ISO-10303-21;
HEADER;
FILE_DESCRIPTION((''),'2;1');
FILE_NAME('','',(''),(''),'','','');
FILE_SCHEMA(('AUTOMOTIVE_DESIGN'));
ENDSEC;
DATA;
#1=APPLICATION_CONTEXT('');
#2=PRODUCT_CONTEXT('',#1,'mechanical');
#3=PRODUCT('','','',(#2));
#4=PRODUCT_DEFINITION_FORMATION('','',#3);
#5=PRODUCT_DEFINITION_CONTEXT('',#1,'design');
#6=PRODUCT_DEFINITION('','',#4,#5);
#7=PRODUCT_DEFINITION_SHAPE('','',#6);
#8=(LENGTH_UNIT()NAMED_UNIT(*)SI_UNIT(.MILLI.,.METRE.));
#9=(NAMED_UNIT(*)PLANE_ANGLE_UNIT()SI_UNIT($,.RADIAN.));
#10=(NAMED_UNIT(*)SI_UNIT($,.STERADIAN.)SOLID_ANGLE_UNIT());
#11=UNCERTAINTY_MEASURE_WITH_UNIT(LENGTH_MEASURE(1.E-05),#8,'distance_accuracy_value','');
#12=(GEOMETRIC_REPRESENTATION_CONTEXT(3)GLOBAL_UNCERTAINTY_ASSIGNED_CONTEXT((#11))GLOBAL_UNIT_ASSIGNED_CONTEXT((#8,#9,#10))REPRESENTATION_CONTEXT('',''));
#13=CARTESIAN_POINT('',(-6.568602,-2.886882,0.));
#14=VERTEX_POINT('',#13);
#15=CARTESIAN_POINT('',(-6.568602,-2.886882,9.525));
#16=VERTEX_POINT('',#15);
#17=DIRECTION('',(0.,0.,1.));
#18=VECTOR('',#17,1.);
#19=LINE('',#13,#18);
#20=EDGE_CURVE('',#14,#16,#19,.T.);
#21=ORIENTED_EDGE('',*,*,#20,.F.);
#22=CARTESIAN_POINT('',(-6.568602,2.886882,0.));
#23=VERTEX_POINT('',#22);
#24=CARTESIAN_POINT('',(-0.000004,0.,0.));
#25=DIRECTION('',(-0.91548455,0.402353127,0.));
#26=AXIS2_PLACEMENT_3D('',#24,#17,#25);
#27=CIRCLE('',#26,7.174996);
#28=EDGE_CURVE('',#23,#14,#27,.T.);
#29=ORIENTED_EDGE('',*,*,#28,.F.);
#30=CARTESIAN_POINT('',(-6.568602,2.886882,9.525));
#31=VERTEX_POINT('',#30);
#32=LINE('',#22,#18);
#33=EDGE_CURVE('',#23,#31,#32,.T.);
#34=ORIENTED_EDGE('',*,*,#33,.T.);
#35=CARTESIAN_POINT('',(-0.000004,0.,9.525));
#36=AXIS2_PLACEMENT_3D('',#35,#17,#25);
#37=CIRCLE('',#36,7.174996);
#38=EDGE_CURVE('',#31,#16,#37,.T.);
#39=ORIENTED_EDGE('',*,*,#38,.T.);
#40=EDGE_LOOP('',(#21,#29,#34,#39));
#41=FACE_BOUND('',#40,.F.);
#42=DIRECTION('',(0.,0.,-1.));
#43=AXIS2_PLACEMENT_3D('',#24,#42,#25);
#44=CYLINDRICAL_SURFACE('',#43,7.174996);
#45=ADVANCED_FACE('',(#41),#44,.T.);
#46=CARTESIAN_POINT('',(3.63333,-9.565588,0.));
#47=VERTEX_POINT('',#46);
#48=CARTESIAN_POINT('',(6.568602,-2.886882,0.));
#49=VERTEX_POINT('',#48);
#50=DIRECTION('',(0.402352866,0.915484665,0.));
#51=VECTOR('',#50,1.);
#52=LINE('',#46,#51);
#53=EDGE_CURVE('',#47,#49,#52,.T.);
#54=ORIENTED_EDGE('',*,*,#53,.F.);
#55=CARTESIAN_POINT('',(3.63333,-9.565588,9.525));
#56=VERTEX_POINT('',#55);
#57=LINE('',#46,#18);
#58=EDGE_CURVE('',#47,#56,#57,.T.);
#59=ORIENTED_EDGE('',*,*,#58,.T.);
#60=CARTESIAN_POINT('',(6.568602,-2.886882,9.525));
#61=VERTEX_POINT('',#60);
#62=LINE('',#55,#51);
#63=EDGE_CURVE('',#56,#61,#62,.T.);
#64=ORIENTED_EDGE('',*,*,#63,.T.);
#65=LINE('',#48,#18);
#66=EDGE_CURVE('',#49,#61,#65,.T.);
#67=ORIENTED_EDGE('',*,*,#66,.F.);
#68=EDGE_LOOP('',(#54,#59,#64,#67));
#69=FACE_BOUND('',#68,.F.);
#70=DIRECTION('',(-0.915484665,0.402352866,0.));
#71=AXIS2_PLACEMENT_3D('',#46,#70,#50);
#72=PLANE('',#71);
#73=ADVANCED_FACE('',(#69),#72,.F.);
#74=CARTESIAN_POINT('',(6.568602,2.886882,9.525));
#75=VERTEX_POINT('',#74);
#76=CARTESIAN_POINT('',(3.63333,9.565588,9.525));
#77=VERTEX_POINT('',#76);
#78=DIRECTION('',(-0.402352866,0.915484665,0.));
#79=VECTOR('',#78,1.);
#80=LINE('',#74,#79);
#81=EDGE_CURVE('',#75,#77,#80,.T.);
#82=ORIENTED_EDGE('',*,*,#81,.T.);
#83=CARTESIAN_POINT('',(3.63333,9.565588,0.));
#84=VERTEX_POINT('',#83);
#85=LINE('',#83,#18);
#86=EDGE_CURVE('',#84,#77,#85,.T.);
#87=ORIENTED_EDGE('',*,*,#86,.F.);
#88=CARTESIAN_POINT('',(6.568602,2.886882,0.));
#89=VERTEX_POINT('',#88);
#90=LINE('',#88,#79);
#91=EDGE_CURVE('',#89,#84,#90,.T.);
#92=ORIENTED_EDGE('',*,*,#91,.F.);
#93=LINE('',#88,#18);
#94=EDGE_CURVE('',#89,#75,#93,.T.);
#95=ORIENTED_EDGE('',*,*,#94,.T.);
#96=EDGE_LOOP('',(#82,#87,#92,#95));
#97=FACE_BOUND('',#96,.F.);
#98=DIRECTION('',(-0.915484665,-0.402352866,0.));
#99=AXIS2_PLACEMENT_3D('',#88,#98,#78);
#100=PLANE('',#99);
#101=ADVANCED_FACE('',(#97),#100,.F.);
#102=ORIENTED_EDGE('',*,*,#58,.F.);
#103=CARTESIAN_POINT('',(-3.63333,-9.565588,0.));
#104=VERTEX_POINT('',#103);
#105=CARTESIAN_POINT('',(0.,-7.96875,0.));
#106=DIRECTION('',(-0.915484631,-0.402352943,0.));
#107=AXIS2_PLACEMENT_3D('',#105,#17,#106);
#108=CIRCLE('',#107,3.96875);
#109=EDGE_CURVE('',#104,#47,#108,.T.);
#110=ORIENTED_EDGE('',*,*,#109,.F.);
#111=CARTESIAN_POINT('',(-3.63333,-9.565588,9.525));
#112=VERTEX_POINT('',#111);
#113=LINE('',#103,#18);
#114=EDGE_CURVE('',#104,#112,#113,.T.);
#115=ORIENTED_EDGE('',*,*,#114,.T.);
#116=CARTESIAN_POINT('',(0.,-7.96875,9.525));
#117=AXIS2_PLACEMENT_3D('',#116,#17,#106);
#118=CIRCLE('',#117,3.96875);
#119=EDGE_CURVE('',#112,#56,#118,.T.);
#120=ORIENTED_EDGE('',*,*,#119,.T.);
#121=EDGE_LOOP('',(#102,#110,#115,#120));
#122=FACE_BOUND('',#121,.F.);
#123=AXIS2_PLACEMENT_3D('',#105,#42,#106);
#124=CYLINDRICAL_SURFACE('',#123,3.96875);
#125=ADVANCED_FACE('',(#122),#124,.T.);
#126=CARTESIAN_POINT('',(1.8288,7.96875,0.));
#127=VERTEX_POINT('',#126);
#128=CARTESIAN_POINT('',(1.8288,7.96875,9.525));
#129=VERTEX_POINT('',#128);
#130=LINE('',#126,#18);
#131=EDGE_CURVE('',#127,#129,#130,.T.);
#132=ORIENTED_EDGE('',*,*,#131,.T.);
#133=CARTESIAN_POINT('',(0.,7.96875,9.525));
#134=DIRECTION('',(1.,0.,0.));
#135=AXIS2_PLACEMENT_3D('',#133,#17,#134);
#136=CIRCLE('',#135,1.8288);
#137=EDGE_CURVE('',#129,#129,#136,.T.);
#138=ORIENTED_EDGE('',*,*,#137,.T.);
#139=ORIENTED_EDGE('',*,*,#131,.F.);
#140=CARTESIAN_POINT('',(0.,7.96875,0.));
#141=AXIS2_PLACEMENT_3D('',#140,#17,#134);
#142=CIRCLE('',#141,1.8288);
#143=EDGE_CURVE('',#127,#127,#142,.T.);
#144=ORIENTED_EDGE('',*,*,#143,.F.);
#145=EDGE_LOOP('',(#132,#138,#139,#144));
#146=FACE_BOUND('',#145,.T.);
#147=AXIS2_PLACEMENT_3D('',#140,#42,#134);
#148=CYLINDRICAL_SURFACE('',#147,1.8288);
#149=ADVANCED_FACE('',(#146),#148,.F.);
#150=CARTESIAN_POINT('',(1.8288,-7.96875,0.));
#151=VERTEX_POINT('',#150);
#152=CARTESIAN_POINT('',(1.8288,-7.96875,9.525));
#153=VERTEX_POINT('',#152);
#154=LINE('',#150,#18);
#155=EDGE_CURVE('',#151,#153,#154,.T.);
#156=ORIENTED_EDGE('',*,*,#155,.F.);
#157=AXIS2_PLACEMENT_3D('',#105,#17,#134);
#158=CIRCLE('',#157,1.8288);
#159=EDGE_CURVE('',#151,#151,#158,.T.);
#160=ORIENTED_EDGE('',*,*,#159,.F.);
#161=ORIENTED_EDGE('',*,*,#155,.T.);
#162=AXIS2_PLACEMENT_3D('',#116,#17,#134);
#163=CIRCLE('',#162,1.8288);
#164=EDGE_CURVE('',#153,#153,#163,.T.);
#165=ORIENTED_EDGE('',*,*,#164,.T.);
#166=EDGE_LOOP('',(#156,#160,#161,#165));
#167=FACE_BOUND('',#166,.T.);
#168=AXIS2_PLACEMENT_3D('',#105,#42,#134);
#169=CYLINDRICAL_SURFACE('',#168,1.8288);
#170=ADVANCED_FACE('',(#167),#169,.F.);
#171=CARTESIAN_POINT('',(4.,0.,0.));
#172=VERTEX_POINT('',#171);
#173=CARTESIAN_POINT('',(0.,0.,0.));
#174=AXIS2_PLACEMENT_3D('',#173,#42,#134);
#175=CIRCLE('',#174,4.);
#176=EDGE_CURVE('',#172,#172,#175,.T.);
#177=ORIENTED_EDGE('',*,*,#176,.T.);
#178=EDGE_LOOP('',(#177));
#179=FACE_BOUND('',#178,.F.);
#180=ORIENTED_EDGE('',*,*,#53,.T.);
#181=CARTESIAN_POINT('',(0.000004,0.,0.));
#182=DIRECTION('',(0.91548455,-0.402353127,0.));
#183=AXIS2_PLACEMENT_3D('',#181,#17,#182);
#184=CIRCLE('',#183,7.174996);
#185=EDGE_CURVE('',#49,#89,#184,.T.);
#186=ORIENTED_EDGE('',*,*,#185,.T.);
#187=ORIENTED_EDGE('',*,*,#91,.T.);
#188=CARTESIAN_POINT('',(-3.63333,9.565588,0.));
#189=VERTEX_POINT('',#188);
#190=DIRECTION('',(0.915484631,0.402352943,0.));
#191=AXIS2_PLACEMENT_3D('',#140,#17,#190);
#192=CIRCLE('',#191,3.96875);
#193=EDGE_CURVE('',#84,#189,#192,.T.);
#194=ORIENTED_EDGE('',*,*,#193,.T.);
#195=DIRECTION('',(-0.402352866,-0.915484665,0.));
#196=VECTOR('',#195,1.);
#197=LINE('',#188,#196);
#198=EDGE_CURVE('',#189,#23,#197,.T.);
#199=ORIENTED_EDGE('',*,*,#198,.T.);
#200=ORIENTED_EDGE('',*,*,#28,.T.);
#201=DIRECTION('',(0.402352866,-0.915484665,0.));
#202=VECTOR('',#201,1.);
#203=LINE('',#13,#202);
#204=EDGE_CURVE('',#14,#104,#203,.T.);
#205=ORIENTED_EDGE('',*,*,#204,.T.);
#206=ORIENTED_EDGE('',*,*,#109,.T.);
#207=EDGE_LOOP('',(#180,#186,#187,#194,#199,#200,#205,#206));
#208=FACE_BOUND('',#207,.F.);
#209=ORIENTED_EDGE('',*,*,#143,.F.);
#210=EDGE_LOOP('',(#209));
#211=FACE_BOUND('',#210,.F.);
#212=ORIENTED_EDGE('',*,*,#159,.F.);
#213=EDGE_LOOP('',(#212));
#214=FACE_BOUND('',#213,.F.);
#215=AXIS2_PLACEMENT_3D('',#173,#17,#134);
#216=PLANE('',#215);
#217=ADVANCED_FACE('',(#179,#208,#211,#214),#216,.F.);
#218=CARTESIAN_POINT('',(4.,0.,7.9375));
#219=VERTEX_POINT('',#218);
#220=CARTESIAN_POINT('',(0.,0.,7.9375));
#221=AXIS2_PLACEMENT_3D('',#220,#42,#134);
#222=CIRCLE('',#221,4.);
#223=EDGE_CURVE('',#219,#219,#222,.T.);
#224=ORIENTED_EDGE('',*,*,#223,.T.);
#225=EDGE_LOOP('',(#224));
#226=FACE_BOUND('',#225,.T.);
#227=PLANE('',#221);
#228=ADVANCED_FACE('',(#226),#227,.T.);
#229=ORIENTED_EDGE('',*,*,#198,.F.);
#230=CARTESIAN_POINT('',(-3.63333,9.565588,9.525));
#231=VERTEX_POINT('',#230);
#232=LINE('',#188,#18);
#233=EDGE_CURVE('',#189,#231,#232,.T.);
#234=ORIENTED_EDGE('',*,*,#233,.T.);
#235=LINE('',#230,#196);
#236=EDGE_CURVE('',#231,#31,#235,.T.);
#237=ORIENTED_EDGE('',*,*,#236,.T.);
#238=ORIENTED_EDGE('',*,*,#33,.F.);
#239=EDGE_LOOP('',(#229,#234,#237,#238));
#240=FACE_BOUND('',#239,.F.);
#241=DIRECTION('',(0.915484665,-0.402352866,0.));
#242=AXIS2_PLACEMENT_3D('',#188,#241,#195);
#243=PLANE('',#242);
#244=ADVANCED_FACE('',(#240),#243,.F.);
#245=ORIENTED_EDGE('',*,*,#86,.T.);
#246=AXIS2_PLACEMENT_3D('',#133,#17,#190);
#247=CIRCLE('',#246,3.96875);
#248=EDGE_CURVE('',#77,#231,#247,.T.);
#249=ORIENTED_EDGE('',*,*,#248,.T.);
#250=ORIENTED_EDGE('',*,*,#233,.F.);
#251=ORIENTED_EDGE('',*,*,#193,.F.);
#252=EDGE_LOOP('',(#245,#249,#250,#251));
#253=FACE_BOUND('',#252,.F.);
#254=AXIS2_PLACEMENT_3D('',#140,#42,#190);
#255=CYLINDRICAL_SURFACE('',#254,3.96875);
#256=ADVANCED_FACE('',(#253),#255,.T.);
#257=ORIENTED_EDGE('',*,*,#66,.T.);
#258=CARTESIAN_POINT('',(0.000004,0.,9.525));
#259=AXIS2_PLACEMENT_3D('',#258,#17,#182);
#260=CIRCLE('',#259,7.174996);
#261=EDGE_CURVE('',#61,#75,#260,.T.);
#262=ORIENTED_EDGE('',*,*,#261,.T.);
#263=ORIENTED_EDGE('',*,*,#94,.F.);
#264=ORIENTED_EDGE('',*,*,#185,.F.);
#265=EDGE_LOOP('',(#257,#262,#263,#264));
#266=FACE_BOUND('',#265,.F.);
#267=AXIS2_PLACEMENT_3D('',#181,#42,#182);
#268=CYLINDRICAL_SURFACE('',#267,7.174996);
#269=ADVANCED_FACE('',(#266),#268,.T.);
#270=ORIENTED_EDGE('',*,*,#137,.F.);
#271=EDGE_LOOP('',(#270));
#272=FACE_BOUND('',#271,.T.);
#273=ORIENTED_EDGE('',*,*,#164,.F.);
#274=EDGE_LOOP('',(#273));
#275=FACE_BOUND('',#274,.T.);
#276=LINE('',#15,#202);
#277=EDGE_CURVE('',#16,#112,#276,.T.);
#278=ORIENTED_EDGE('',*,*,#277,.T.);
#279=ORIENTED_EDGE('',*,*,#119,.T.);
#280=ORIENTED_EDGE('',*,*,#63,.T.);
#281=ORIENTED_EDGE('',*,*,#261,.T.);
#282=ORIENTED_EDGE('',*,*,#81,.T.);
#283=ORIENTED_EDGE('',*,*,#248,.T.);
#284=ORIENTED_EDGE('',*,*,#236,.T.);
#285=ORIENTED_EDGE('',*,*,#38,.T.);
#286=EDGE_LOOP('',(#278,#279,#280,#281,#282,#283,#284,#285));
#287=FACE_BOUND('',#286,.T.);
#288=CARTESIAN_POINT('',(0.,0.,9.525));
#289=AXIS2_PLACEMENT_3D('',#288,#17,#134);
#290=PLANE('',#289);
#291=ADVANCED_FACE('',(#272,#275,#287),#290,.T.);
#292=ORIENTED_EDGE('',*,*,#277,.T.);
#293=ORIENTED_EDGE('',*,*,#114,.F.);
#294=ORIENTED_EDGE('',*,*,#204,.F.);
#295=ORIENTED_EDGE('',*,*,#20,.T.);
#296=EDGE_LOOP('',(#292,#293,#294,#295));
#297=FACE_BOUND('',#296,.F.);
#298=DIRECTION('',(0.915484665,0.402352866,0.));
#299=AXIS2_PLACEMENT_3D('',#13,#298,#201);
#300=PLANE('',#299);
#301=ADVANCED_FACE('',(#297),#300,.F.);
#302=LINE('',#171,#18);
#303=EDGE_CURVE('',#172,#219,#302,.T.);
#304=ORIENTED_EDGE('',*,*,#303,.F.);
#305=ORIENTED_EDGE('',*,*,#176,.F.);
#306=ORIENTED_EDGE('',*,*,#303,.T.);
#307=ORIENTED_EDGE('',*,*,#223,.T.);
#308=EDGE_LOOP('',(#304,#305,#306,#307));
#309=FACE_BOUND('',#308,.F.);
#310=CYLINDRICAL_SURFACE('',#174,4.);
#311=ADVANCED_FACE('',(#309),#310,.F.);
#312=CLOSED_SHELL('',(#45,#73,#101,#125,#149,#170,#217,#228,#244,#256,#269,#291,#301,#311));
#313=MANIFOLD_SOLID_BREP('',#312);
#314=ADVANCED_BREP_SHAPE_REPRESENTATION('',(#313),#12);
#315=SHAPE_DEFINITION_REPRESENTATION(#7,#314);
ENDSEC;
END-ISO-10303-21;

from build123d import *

# Parameters (mm, degrees)
F0_R     = 1.8288
F1_DEPTH = 9.525
F3_R     = 4
F4_DEPTH = 7.9375


with BuildPart() as f1:
    # F0 (on Top) → F1 (new body)
    with BuildSketch(Plane.XY):
        with BuildLine():
            Line((6.568602, 2.886882), (3.63333, 9.565588))
            ThreePointArc((3.63333, 9.565588), (0, 11.9375), (-3.63333, 9.565588))
            Line((-3.63333, 9.565588), (-6.568602, 2.886882))
            ThreePointArc((-6.568602, 2.886882), (-7.175, 0), (-6.568602, -2.886882))
            Line((-6.568602, -2.886882), (-3.63333, -9.565588))
            ThreePointArc((-3.63333, -9.565588), (0, -11.9375), (3.63333, -9.565588))
            Line((3.63333, -9.565588), (6.568602, -2.886882))
            ThreePointArc((6.568602, -2.886882), (7.175, 0), (6.568602, 2.886882))
        make_face()
        with Locations((0, -7.96875)):
            Circle(F0_R, mode=Mode.SUBTRACT)
        with Locations((0, 7.96875)):
            Circle(F0_R, mode=Mode.SUBTRACT)
    extrude(amount=F1_DEPTH)

    # F3 (on face) → F4 (cut, through all)
    with BuildSketch(Plane(origin=(0, 0, 0), x_dir=(1, 0, 0), z_dir=(0, 0, -1))):
        Circle(F3_R)
    extrude(amount=-F4_DEPTH, mode=Mode.SUBTRACT)


solid = f1.part
